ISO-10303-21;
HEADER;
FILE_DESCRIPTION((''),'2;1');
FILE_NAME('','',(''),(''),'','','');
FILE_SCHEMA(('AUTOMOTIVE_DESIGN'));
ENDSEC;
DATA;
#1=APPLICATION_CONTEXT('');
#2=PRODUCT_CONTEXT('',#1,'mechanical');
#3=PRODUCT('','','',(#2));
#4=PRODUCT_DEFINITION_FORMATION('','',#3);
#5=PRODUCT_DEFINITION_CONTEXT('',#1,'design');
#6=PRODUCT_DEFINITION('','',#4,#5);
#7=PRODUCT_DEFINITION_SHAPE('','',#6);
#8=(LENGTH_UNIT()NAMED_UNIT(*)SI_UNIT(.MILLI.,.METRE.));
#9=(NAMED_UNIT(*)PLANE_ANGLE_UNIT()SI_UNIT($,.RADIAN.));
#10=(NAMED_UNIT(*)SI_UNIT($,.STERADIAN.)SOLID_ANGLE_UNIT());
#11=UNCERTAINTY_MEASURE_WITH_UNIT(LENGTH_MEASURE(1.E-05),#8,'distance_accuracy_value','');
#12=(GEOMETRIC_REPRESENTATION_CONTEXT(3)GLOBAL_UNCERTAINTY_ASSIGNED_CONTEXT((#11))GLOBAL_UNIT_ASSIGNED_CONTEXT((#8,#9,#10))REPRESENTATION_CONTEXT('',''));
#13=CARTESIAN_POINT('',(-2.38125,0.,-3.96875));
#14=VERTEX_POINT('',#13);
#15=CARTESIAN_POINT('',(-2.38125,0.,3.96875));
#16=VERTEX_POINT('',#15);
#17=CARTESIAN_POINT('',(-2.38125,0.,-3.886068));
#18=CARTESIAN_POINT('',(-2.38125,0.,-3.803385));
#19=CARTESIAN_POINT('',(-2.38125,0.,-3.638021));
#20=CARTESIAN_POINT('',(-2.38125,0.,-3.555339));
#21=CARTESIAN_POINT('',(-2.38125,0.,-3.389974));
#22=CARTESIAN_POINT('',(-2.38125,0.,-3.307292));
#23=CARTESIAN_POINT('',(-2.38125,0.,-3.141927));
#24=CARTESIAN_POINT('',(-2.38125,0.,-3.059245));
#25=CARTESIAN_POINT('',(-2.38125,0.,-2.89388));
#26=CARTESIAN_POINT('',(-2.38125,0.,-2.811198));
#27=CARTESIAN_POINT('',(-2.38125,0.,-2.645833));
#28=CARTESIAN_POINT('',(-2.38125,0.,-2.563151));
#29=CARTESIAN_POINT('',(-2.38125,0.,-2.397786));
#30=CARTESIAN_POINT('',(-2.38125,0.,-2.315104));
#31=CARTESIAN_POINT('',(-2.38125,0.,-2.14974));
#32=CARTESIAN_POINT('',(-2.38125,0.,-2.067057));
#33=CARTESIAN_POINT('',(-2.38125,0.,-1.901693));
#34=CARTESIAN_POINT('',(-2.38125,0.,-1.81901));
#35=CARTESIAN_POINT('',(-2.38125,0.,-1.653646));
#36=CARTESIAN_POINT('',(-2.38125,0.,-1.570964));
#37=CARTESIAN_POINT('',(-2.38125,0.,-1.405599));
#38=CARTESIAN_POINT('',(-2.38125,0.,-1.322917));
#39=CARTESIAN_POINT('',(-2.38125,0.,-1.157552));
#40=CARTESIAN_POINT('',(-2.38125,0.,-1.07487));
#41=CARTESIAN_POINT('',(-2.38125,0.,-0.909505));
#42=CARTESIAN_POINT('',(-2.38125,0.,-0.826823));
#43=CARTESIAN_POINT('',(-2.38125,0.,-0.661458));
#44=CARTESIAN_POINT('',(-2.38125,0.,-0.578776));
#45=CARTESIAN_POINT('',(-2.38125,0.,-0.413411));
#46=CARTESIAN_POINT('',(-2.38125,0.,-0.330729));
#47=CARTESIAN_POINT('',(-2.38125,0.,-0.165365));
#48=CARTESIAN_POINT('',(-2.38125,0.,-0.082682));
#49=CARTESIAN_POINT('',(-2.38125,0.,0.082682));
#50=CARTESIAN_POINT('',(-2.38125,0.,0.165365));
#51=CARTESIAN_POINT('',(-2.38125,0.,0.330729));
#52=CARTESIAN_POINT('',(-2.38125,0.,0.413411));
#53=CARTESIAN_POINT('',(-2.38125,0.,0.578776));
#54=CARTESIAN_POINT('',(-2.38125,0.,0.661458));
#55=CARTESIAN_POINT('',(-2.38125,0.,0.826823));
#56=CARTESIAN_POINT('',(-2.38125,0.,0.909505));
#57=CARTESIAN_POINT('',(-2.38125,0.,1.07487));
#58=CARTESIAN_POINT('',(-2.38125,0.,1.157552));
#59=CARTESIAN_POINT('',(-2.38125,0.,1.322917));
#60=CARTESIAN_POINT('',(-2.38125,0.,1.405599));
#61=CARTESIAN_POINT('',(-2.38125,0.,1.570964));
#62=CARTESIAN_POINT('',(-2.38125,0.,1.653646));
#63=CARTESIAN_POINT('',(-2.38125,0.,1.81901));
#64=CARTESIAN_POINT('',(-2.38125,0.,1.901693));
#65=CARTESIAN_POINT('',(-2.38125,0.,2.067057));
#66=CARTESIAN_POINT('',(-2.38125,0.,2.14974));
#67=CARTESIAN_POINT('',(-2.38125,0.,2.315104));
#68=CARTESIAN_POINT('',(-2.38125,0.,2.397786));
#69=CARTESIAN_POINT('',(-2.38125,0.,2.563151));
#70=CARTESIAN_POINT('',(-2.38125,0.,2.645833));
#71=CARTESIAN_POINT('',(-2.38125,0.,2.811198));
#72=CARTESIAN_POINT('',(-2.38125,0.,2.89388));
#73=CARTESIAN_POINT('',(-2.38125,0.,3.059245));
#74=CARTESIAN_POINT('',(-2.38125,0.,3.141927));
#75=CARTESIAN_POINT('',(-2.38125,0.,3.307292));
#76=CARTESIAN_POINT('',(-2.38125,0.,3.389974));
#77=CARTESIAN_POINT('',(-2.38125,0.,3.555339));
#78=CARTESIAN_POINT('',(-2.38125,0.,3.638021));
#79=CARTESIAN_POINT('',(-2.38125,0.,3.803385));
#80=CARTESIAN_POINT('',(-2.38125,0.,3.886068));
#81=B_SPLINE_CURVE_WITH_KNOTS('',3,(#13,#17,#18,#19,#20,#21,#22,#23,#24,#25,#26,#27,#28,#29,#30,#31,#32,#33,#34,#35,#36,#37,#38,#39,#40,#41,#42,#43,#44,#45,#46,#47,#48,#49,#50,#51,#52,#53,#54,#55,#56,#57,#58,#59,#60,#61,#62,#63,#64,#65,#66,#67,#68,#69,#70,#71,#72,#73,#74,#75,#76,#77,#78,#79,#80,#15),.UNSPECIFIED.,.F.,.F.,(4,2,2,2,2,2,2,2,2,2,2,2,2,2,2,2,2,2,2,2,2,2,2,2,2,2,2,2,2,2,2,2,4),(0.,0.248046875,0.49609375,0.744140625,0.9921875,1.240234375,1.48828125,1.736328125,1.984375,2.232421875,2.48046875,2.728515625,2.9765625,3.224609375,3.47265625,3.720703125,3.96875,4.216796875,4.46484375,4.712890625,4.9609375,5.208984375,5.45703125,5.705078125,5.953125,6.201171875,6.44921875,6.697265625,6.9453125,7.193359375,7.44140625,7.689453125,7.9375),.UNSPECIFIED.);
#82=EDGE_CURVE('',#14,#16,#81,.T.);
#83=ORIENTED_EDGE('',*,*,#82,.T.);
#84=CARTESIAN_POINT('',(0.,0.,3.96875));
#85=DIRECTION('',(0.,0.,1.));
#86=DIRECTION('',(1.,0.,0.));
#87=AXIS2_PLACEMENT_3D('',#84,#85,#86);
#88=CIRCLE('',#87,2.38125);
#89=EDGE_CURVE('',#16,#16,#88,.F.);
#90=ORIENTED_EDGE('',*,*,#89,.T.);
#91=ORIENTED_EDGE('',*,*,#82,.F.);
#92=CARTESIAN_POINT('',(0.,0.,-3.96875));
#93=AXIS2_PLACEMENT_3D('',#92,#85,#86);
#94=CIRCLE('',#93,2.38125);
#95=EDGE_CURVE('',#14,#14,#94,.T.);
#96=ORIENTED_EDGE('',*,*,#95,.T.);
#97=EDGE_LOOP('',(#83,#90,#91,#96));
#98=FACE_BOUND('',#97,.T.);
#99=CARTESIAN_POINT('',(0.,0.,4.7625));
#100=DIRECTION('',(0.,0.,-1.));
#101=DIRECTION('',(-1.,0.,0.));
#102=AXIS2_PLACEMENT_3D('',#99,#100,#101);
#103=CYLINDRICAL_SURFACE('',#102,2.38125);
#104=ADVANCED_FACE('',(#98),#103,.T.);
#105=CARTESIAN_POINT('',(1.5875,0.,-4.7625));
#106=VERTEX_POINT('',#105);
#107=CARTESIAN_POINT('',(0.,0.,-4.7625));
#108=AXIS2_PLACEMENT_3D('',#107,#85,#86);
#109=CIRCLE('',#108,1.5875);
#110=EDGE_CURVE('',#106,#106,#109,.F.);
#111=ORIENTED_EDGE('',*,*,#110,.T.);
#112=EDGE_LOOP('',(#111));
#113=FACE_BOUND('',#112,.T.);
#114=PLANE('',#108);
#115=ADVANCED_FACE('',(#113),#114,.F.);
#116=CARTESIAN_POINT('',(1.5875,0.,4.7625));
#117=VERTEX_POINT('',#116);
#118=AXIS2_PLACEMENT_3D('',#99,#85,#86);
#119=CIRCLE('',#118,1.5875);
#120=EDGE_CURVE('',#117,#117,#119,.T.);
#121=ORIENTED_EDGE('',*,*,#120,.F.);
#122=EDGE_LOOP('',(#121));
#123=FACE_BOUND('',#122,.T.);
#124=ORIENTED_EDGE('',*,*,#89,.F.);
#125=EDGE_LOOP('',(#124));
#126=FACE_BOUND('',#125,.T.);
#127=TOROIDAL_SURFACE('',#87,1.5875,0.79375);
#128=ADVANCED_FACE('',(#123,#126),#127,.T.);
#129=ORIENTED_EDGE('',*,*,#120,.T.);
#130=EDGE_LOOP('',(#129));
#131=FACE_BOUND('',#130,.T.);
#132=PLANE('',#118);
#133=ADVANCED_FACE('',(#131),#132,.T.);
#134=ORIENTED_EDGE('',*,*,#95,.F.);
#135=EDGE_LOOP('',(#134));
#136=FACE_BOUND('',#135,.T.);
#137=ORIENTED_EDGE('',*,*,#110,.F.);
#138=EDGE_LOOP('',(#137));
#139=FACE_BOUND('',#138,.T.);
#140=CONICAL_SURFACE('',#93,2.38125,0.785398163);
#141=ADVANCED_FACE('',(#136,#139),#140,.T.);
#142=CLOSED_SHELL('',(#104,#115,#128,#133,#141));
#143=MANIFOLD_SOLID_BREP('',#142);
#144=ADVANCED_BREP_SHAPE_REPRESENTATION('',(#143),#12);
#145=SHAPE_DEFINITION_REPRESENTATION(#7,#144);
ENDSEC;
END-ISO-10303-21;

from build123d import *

# Parameters (mm, degrees)
SKETCH1_R      = 2.38125
EXTRUDE1_DEPTH = 4.7625
FILLET1_R      = 0.79375
CHAMFER1_SIZE  = 0.79375


with BuildPart() as part:
    # Sketch1 → Extrude1 (new, symmetric)
    with BuildSketch(Plane.XY):
        with Locations(Location((0, 0, 0), (0, 0, 180))):
            Circle(SKETCH1_R)
    extrude(amount=EXTRUDE1_DEPTH, both=True)

    # Fillet1
    fillet1_edges = [part.edges().sort_by_distance(p)[0] for p in [
        (2.38125, 0, 4.7625),
    ]]
    fillet(fillet1_edges, radius=FILLET1_R)

    # Chamfer1
    chamfer1_edges = [part.edges().sort_by_distance(p)[0] for p in [
        (2.38125, 0, -4.7625),
    ]]
    chamfer(chamfer1_edges, length=CHAMFER1_SIZE)


solid = part.part
